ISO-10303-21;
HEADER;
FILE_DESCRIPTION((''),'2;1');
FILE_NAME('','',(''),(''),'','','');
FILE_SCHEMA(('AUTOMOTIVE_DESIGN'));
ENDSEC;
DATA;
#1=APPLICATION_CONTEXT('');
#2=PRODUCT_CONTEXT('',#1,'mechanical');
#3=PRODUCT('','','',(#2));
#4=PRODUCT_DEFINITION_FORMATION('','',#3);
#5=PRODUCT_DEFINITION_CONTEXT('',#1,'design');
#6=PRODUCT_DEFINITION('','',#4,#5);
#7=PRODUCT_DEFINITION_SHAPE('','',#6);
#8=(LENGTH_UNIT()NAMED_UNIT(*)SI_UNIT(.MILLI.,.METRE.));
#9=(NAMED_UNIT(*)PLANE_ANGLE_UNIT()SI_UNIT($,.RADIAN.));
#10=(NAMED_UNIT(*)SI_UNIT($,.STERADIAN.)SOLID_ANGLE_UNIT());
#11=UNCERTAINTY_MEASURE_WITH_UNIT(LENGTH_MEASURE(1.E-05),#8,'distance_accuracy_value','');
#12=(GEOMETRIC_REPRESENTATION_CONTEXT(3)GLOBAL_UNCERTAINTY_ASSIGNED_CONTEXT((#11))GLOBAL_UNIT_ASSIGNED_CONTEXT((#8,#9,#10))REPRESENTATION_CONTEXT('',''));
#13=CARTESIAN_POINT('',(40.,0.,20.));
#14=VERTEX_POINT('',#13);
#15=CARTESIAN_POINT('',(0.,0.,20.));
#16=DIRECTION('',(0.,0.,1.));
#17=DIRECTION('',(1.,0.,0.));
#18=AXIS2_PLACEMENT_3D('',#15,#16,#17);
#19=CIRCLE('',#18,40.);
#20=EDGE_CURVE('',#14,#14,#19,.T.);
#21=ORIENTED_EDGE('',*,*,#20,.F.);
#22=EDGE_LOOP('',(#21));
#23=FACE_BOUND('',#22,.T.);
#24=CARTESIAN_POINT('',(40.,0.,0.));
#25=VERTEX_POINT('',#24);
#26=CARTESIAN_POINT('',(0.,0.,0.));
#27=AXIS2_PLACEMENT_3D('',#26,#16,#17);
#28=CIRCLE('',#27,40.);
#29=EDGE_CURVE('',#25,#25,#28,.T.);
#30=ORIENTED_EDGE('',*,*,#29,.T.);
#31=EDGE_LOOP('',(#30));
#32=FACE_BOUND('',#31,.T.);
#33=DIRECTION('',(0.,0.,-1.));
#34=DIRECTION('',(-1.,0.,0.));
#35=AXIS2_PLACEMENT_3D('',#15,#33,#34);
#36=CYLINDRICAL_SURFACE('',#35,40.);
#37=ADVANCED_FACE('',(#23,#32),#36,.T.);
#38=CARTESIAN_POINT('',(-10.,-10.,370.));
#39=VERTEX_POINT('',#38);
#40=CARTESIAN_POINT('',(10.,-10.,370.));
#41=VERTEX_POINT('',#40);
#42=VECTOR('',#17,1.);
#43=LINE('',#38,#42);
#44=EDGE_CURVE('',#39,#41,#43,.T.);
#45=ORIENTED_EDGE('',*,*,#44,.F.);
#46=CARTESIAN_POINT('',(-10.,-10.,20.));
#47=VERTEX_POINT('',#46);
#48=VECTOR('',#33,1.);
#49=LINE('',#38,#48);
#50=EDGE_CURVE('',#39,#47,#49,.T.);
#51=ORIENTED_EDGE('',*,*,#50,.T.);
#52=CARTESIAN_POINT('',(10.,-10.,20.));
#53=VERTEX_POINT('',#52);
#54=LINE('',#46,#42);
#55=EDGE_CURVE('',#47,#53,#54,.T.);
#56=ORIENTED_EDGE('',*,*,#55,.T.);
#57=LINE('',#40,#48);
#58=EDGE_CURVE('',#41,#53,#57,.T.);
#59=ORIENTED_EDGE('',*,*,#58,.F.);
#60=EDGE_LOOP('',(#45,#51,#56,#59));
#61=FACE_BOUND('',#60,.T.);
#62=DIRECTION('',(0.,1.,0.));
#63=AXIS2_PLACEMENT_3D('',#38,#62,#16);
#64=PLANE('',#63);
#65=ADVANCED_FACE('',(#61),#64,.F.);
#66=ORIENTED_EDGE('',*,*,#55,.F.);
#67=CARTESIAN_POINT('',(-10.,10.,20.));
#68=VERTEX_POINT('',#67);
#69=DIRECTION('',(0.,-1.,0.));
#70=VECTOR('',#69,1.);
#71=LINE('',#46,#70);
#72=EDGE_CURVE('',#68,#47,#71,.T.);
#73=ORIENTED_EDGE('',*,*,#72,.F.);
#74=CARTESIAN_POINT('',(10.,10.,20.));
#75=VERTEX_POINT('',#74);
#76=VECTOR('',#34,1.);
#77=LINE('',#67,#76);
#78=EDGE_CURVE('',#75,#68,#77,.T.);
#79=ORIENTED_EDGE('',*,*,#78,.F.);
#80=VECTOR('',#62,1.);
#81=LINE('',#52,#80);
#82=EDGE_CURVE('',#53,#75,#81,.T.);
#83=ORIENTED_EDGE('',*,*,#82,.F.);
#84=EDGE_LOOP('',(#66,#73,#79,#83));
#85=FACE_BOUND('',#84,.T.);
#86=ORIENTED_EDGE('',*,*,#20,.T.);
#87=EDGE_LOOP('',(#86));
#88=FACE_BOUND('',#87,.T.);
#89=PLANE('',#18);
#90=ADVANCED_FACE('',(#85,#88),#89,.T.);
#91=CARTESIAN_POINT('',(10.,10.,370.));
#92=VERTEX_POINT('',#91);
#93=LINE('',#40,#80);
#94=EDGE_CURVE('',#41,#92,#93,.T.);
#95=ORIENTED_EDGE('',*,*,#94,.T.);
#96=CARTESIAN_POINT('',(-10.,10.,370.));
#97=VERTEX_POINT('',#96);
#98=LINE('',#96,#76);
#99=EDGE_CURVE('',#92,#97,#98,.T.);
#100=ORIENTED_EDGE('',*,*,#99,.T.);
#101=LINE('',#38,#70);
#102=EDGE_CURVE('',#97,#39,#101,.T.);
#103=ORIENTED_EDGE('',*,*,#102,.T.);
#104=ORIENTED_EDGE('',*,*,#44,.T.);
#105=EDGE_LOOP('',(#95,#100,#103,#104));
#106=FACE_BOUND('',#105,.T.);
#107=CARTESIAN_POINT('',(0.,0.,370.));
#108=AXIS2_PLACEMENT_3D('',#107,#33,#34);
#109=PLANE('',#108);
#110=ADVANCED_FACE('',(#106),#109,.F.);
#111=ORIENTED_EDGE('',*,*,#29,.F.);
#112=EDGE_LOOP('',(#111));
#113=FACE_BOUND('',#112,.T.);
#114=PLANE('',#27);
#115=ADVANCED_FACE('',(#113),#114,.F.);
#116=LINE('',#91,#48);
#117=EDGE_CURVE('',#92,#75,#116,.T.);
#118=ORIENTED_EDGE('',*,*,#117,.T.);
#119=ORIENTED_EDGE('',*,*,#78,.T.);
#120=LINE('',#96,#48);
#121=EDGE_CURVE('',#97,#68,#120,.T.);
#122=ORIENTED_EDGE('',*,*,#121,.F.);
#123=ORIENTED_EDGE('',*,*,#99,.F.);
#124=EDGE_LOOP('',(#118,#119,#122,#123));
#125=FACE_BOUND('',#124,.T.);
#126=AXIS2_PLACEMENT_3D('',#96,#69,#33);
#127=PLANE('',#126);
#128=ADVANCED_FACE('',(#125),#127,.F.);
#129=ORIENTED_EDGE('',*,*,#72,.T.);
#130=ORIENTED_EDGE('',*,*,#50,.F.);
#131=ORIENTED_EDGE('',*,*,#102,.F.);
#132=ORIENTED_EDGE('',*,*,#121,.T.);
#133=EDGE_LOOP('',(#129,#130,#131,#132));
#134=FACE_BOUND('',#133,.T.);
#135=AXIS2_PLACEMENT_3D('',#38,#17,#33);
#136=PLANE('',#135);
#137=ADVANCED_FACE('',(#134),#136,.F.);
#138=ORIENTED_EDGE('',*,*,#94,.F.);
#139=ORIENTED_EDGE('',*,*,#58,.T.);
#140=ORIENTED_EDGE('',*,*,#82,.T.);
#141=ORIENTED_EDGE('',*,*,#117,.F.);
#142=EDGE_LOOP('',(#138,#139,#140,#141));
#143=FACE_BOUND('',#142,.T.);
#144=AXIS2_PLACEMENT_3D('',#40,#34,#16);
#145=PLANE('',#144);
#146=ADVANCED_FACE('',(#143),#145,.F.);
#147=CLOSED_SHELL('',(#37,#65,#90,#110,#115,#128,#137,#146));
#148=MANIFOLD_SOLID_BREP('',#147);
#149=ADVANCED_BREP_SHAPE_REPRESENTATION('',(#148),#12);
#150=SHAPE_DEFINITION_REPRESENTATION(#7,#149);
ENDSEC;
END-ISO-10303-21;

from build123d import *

# Parameters (mm, degrees)
SKETCH1_R           = 40
BOSS_EXTRUDE1_DEPTH = 20
SKETCH2_W           = 20
SKETCH2_H           = 20
BOSS_EXTRUDE2_DEPTH = 350


with BuildPart() as part:
    # Sketch1 → Boss-Extrude1 (new body)
    with BuildSketch(Plane.XY):
        Circle(SKETCH1_R)
    extrude(amount=BOSS_EXTRUDE1_DEPTH)

    # Sketch2 → Boss-Extrude2 (add)
    with BuildSketch(Plane.XY.offset(20)):
        Rectangle(SKETCH2_W, SKETCH2_H)
    extrude(amount=BOSS_EXTRUDE2_DEPTH)


solid = part.part
